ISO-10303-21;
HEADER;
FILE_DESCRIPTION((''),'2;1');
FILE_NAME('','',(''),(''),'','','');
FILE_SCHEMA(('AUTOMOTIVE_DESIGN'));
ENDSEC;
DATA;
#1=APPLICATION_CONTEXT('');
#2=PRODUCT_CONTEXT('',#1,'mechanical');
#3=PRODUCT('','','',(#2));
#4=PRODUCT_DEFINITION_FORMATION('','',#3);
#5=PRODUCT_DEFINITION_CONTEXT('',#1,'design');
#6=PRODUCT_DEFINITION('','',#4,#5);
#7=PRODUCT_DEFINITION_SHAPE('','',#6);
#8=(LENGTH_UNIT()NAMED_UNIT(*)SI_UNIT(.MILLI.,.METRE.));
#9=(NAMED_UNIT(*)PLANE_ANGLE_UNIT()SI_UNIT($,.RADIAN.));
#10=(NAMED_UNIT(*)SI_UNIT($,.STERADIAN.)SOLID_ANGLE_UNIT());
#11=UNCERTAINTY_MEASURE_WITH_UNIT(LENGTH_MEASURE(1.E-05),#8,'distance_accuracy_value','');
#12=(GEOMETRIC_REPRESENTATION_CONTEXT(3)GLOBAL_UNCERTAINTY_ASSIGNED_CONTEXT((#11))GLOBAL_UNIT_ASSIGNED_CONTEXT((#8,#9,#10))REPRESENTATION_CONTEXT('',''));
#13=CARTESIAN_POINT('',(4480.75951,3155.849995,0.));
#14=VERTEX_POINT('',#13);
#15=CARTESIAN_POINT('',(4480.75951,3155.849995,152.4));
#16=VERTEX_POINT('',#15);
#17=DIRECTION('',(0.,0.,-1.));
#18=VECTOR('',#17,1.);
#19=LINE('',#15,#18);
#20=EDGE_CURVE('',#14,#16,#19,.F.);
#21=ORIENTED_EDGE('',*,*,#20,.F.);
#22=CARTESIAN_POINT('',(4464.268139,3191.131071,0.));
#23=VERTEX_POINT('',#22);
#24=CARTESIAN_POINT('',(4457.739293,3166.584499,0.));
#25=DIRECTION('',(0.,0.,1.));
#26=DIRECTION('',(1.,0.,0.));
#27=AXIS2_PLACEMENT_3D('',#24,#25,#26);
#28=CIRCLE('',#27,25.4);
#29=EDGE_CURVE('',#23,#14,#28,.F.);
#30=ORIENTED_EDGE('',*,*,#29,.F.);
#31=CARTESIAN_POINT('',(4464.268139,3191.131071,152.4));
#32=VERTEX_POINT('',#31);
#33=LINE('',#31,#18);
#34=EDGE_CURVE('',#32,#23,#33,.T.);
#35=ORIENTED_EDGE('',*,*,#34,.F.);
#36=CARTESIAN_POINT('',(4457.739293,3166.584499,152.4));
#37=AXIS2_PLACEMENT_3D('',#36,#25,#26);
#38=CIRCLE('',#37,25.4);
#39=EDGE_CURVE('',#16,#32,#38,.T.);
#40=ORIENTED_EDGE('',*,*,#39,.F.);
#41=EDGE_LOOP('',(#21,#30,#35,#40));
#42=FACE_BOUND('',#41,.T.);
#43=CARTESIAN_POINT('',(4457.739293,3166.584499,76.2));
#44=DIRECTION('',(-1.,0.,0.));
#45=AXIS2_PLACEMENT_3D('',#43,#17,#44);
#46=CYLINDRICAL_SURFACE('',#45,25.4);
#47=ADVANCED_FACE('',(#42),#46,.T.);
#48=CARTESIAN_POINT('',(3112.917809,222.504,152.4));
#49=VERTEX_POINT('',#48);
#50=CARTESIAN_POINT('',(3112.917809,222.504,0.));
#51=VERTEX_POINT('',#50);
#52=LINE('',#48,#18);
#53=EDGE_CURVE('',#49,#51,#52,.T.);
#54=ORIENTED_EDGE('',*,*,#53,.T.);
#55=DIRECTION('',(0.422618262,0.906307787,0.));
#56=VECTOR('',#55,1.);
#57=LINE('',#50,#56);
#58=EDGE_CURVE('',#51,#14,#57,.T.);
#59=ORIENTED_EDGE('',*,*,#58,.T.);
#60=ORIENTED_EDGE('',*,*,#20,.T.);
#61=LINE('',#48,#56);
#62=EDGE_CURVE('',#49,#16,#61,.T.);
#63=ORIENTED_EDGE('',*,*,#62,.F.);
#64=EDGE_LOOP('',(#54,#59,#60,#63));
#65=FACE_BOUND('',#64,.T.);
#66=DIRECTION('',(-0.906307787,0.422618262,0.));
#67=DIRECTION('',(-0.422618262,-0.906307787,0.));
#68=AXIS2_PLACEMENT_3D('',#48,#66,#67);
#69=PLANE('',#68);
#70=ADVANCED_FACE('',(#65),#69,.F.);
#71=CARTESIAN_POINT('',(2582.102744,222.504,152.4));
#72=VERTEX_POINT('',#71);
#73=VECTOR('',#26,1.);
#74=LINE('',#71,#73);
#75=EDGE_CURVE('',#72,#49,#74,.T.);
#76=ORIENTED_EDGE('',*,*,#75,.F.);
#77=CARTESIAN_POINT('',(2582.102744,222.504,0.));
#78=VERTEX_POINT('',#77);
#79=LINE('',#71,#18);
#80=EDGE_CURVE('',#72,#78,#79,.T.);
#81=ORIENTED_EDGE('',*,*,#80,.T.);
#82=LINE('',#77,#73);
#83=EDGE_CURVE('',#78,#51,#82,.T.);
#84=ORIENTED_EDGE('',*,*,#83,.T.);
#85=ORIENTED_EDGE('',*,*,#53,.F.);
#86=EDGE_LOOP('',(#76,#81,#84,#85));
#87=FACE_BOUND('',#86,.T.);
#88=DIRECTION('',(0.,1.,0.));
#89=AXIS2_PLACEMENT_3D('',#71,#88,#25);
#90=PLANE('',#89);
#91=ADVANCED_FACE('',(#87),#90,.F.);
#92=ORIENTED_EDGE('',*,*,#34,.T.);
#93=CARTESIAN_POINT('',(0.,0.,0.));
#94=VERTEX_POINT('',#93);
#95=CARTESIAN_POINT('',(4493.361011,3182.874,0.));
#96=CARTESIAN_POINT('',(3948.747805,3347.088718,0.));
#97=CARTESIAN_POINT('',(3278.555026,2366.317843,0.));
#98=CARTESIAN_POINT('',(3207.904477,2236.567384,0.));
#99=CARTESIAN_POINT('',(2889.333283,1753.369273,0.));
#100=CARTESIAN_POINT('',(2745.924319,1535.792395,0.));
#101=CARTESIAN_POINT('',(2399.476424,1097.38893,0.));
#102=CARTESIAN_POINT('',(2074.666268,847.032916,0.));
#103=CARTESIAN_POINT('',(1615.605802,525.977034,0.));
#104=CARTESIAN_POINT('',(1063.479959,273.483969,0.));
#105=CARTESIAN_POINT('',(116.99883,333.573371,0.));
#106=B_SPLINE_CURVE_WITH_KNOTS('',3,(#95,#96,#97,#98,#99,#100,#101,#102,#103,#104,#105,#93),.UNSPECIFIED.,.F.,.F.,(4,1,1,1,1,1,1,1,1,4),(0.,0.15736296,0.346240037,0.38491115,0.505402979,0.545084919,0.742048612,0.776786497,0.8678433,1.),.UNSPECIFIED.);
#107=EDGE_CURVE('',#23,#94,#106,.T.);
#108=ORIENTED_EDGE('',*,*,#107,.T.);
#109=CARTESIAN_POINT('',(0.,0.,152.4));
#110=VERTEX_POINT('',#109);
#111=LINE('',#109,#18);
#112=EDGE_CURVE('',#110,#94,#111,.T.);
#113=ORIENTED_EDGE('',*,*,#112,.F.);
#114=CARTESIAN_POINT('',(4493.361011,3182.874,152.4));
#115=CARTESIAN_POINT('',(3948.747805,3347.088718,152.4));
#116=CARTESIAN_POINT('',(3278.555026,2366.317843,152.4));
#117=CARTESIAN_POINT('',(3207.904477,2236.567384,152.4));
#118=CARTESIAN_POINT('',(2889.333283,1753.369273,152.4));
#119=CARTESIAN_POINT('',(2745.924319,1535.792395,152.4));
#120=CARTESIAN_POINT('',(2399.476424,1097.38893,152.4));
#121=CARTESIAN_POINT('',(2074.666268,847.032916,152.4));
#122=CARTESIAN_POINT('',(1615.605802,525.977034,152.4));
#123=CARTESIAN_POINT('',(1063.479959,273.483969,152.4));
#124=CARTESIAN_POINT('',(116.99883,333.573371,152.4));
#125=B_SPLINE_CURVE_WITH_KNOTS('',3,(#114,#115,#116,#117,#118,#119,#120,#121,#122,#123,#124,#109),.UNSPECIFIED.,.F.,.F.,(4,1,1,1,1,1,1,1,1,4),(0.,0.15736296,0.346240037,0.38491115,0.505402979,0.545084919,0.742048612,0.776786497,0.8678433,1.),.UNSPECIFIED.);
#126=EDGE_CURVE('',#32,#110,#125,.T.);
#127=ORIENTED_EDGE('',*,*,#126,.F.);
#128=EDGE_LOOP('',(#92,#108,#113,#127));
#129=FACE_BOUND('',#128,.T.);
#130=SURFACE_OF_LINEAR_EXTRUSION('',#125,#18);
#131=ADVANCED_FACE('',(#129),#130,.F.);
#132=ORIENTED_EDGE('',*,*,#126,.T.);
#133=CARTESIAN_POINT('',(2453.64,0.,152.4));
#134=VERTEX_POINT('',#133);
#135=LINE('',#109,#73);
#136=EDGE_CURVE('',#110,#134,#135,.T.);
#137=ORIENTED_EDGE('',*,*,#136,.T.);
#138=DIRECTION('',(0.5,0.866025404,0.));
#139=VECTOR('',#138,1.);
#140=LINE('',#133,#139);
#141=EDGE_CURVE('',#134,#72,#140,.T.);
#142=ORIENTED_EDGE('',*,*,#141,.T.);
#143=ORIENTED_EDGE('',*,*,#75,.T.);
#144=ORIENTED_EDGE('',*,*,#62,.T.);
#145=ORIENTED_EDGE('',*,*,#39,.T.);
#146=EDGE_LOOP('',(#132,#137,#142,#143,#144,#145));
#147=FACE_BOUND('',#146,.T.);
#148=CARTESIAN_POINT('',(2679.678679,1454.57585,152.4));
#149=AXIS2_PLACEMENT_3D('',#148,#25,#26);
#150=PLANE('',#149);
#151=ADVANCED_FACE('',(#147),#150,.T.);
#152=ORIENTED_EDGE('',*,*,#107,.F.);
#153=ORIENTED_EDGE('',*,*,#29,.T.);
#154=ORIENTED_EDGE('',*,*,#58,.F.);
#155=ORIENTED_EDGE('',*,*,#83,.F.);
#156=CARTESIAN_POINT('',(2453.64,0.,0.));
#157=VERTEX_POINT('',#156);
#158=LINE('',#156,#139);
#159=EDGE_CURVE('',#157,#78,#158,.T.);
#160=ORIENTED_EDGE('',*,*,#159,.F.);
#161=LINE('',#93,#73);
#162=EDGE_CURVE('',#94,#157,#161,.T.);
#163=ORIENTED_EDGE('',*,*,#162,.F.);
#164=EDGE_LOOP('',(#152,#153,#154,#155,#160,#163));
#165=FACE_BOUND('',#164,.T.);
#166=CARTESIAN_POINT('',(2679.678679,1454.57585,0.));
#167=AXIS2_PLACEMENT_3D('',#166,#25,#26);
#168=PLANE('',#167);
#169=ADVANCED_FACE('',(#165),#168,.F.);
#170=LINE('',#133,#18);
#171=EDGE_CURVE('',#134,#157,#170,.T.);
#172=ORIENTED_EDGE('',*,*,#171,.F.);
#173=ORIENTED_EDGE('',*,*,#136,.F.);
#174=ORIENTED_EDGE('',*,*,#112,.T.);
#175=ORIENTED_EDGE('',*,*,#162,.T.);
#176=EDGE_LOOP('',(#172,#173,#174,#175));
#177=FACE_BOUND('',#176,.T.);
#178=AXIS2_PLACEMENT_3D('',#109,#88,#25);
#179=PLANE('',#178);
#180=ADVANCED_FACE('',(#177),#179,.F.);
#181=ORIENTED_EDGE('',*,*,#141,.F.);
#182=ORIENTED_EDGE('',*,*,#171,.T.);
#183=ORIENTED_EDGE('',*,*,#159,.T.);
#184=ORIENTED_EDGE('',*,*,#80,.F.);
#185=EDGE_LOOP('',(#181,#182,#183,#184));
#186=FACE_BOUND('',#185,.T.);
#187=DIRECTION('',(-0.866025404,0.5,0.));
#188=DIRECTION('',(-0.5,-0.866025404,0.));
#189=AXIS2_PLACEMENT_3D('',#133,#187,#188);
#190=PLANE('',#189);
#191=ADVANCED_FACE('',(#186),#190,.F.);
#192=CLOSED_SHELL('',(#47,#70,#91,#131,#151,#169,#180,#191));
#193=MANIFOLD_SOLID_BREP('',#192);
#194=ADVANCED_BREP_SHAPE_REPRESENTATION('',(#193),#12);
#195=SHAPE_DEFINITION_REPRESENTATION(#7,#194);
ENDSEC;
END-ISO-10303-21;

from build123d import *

# Parameters (mm, degrees)
BOSS_EXTRUDE1_DEPTH = 152.4
FILLET1_R           = 25.4


with BuildPart() as part:
    # Sketch1 → Boss-Extrude1 (new body)
    with BuildSketch(Plane.XY):
        with BuildLine():
            Line((0, 0), (2453.64, 0))
            Line((2453.64, 0), (2582.102744296, 222.504))
            Line((2582.102744296, 222.504), (3112.917808657, 222.504))
            Line((3112.917808657, 222.504), (4493.361010629, 3182.874))
            add(Edge.make_bspline(
                [(0, 0), (116.998830003, 333.573371339), (1063.479959181, 273.483968866), (1615.605801809, 525.977034044), (2074.666267804, 847.032915734), (2399.476424156, 1097.38893033), (2745.924318913, 1535.792394611), (2889.333282638, 1753.369272984), (3207.904477215, 2236.567384367), (3278.555026222, 2366.317843455), (3948.747804981, 3347.088718294), (4493.361010629, 3182.874)],
                knots=[0, 0, 0, 0, 0.1321567, 0.223213503, 0.257951388, 0.454915081, 0.494597021, 0.61508885, 0.653759963, 0.84263704, 1, 1, 1, 1], degree=3))
        make_face()
    extrude(amount=BOSS_EXTRUDE1_DEPTH)

    # Fillet1
    fillet1_edges = [part.edges().sort_by_distance(p)[0] for p in [
        (4493.361010629, 3182.874, 76.2),
    ]]
    fillet(fillet1_edges, radius=FILLET1_R)


solid = part.part
